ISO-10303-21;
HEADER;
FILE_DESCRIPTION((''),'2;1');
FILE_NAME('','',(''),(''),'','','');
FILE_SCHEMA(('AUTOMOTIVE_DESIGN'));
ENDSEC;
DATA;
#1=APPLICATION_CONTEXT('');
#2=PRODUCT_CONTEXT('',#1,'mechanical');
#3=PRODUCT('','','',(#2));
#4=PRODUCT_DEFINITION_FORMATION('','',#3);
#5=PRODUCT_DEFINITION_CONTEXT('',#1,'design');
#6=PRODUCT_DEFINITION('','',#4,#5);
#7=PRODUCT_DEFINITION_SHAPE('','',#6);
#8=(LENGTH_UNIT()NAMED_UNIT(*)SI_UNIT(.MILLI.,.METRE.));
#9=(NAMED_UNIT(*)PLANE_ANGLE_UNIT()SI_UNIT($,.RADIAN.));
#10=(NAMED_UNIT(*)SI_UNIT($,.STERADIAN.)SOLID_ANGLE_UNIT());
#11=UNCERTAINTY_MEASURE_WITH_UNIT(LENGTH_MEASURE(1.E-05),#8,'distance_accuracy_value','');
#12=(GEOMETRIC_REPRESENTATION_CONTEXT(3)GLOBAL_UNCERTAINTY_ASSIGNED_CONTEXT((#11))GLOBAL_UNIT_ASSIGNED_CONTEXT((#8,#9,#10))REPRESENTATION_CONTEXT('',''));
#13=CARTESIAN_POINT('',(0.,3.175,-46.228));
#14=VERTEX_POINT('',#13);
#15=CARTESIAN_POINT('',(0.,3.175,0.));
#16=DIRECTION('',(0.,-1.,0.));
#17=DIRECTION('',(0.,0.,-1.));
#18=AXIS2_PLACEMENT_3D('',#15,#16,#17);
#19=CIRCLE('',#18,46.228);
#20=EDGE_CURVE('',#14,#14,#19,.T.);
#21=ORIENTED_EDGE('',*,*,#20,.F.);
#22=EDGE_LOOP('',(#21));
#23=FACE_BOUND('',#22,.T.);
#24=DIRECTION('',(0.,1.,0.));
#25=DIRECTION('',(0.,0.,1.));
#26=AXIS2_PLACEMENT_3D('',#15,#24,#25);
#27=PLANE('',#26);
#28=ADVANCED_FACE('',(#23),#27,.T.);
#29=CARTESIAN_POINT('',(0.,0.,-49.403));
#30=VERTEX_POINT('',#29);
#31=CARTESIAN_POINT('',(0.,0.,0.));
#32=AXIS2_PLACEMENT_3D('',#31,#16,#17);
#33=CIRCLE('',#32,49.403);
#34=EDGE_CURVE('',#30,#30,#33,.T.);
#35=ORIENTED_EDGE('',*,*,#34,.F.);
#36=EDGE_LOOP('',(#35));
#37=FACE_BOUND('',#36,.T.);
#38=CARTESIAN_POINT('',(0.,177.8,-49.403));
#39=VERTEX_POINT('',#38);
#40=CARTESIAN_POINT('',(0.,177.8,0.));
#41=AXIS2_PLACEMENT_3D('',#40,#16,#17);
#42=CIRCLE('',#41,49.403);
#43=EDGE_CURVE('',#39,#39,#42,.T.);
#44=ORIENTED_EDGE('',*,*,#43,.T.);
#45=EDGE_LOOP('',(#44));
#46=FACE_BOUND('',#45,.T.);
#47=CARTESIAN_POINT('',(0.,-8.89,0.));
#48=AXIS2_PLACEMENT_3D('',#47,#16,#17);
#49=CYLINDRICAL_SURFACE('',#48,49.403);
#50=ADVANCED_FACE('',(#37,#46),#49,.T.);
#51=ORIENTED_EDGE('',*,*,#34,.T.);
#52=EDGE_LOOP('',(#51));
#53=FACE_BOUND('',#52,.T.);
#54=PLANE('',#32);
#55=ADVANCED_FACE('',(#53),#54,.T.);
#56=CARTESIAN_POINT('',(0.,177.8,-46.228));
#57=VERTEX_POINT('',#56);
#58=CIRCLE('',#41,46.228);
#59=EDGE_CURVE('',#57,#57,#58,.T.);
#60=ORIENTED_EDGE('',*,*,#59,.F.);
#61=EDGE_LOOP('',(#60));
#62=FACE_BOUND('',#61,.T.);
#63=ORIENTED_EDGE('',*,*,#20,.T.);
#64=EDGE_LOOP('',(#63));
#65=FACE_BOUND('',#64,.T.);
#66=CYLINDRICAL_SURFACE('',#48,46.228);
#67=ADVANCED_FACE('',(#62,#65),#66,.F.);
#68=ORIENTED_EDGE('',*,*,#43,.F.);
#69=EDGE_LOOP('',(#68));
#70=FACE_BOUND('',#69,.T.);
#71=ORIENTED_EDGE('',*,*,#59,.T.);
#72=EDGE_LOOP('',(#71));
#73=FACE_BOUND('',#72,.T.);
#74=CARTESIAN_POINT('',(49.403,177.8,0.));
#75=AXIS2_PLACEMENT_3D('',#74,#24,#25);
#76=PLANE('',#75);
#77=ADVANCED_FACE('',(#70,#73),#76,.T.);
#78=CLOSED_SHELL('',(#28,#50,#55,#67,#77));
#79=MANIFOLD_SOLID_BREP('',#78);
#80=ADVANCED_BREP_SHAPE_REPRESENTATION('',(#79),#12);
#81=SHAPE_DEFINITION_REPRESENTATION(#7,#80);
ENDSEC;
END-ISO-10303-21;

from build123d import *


with BuildPart() as part:
    # Sketch1 → Revolve1 (revolve)
    with BuildSketch(Plane.XY):
        Polygon((0, 0), (49.403, 0), (49.403, 177.8), (46.228, 177.8), (46.228, 3.175), (0, 3.175), align=None)
    revolve(axis=Axis((0, -8.89, 0), (0, 1, 0)))


solid = part.part
